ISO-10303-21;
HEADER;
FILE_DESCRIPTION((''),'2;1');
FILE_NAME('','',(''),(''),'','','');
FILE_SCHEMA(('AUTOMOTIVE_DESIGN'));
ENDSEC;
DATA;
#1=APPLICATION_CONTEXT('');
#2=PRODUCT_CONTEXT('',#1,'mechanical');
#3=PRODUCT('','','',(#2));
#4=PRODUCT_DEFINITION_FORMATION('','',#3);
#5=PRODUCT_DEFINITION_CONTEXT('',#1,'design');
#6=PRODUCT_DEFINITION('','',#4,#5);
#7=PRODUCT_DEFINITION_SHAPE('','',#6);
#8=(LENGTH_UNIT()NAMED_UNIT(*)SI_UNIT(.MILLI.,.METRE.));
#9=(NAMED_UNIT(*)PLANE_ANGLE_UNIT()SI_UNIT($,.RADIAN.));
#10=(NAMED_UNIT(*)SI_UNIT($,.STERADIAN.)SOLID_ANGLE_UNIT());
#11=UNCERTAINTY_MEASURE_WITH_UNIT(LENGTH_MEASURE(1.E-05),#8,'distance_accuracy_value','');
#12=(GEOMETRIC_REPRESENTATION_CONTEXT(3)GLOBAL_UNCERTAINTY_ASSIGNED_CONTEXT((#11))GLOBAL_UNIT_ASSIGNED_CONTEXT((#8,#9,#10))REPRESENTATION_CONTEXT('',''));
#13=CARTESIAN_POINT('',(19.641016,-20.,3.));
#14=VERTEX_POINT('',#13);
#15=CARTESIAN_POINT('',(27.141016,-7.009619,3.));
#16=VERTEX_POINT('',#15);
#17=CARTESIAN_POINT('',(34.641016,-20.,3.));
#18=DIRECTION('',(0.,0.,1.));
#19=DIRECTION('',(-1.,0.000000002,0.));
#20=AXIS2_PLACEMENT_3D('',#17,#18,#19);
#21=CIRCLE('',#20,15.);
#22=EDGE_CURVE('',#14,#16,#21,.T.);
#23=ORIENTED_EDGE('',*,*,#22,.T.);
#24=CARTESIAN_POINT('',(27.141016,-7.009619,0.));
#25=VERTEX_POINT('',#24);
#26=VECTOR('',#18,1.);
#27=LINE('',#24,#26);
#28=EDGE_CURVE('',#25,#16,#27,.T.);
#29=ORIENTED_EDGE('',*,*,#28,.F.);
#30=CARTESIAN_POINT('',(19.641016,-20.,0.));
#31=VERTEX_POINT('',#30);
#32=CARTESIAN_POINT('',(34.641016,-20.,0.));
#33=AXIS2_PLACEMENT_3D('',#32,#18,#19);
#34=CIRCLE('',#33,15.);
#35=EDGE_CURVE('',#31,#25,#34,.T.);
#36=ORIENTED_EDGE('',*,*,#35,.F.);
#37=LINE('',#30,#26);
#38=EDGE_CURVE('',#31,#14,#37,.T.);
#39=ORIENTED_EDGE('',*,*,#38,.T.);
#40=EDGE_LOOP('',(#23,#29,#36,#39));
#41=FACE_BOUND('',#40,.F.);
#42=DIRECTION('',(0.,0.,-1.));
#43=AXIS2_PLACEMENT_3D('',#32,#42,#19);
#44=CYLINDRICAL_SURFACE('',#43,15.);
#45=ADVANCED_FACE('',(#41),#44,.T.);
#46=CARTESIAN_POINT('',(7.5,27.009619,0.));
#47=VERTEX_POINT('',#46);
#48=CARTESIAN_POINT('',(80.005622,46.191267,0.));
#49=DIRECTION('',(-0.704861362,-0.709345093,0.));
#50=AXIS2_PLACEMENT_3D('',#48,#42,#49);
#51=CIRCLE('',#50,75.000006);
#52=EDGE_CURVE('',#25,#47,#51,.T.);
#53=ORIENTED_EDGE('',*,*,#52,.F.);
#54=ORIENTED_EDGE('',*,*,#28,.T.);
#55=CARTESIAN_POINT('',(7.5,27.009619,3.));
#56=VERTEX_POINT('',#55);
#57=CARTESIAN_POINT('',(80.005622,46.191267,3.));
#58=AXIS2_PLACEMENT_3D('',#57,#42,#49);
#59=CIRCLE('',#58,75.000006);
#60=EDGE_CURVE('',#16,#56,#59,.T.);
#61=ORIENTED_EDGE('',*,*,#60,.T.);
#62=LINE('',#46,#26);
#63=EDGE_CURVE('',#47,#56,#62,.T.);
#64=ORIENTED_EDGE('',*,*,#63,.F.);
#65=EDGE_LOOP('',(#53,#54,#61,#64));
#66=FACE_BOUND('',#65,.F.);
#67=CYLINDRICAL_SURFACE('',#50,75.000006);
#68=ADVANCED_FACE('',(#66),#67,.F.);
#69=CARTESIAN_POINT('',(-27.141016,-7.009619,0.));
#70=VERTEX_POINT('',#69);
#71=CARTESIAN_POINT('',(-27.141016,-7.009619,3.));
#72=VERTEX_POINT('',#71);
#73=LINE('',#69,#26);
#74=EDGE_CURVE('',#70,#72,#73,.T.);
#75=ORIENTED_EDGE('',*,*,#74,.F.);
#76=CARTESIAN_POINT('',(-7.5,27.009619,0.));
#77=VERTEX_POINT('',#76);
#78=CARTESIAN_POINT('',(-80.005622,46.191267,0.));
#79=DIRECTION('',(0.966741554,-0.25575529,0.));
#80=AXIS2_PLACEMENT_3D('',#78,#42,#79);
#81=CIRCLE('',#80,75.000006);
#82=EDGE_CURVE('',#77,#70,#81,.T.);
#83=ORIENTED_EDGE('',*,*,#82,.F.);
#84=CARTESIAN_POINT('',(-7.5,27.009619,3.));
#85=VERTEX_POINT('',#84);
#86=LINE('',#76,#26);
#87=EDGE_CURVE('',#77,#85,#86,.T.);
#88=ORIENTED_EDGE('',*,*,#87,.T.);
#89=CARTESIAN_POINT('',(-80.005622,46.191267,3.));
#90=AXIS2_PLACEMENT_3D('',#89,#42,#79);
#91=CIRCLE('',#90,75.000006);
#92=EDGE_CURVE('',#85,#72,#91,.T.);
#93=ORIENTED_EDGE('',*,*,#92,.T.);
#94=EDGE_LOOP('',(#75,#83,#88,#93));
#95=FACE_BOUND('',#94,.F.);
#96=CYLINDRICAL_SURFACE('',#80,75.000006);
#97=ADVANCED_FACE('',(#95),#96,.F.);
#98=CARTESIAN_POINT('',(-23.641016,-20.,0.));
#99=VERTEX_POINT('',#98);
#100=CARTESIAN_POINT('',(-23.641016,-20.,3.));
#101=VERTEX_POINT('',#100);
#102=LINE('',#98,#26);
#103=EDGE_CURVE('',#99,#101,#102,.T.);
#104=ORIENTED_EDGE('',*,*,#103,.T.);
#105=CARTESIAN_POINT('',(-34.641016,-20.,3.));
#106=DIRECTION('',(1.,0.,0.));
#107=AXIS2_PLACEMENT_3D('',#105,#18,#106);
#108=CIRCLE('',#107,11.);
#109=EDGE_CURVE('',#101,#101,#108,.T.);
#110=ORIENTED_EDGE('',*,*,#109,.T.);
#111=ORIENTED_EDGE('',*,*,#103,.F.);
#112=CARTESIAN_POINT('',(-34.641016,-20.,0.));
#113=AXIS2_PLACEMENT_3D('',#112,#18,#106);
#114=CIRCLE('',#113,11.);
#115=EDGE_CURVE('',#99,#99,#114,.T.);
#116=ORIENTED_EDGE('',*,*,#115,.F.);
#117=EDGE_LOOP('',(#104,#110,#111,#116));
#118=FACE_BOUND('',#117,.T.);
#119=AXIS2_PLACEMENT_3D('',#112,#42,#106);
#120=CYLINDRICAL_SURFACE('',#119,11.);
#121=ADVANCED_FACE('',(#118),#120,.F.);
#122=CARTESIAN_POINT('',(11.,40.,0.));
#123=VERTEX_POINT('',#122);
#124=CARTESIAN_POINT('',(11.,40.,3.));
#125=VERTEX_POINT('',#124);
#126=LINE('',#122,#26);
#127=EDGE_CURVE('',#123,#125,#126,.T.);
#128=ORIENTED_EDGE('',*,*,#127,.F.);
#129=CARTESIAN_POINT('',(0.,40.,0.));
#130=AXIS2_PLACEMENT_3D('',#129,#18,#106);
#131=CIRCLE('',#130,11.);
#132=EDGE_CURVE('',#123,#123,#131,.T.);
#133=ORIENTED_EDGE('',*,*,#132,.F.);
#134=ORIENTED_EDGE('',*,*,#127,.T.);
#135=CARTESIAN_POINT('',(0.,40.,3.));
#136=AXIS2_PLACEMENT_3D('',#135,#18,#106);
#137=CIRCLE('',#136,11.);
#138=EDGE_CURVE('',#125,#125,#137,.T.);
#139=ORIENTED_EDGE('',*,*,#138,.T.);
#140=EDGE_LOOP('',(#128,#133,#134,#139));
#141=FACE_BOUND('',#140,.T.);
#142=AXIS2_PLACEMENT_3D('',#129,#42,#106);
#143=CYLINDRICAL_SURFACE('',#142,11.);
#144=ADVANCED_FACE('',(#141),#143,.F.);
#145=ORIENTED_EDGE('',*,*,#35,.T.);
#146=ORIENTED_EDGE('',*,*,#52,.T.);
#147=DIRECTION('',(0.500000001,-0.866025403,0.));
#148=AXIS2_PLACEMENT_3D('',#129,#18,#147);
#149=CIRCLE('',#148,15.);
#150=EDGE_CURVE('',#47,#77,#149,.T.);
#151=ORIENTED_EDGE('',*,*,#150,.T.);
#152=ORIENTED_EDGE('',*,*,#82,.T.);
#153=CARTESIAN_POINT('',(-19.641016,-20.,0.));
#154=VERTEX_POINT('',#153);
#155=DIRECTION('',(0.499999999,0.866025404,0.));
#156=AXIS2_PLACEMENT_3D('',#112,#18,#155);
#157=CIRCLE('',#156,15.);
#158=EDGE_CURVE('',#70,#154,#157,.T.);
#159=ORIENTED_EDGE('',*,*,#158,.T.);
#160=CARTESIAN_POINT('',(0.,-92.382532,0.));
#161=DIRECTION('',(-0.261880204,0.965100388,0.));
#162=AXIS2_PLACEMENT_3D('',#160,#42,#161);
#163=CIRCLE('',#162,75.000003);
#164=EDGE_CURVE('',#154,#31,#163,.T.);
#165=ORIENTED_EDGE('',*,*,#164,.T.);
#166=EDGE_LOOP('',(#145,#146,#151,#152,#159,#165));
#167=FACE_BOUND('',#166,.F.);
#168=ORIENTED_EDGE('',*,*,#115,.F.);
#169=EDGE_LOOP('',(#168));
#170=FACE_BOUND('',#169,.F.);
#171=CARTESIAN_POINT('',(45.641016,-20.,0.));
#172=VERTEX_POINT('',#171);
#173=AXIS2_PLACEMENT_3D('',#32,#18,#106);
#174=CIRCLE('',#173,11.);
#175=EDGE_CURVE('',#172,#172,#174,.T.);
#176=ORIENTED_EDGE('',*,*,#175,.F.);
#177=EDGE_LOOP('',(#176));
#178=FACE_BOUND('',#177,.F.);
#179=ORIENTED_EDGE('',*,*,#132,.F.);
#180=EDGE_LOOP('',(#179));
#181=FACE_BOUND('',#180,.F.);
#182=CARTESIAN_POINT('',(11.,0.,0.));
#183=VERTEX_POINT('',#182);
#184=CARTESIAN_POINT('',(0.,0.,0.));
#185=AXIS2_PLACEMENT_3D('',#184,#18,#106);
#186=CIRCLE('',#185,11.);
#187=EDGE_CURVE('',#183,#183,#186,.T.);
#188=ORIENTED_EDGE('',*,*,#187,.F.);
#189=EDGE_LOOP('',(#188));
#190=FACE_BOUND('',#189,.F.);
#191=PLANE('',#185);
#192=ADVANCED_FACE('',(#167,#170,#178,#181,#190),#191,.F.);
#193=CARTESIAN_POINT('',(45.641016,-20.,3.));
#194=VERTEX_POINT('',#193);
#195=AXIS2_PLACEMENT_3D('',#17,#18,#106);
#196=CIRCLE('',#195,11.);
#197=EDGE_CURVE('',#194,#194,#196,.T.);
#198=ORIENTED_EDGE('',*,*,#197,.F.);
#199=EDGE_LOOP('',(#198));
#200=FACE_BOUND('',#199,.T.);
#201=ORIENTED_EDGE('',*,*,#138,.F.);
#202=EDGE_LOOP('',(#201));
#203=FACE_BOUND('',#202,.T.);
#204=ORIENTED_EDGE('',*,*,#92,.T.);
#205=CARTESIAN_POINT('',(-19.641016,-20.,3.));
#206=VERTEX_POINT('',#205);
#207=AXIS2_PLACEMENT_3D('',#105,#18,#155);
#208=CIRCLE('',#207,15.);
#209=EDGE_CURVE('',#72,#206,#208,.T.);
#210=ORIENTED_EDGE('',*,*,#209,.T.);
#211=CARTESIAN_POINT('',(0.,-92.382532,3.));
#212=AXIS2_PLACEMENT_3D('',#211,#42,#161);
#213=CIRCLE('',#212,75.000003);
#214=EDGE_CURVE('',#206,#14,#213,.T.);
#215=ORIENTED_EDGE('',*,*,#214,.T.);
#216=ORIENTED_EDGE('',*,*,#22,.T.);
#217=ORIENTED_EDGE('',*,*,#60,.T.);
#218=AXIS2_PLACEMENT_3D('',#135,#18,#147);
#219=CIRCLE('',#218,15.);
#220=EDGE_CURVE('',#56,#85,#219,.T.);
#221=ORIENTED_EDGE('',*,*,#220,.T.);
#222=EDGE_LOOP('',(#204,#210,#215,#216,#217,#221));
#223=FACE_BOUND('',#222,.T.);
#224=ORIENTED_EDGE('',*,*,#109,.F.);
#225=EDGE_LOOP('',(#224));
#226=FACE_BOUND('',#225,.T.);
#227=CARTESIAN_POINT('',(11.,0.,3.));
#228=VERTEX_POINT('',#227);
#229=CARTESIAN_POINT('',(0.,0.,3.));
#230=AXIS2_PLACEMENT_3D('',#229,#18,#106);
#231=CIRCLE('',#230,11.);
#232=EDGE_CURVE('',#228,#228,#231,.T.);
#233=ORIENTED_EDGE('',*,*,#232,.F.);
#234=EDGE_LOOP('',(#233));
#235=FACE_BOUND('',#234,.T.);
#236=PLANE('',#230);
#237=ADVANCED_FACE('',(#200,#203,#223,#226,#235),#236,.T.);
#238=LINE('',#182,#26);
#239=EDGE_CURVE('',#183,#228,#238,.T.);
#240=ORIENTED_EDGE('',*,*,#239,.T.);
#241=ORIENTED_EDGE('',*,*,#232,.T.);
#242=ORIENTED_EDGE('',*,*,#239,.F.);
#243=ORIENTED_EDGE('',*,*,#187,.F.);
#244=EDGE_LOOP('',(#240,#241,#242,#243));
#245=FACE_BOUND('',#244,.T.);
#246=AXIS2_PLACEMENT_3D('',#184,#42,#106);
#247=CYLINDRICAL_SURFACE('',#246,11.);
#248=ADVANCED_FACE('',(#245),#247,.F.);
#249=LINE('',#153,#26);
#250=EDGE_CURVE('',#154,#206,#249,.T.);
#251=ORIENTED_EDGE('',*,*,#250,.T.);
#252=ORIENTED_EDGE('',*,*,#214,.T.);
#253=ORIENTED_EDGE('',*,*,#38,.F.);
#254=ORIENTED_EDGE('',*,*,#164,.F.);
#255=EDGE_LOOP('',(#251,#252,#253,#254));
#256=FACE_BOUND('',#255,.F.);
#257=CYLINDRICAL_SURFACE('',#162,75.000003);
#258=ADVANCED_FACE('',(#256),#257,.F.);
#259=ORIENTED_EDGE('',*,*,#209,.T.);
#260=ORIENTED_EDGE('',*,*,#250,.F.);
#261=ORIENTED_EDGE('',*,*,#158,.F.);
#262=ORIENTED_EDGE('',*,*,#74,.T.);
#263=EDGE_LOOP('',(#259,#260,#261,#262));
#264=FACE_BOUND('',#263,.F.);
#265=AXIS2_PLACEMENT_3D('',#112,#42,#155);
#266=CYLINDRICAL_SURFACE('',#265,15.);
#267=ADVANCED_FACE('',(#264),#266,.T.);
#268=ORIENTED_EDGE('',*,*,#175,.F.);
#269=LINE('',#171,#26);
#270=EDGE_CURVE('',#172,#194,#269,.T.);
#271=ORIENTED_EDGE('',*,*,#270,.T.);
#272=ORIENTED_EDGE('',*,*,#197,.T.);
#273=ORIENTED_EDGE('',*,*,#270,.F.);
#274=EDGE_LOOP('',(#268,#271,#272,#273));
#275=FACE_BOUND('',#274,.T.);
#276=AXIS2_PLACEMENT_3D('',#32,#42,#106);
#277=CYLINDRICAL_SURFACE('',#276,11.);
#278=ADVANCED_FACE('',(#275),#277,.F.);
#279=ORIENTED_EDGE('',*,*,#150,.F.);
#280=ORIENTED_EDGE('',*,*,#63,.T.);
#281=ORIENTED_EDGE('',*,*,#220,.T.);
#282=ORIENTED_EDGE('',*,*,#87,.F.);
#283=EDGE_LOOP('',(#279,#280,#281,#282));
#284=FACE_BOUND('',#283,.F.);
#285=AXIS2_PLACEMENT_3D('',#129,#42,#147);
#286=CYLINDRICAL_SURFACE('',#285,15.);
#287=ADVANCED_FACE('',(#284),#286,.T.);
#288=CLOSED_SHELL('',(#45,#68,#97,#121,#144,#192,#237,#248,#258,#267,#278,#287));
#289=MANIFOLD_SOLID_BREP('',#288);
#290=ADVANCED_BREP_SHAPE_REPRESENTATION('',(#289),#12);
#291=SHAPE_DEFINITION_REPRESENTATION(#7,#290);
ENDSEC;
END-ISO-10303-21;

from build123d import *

# Parameters (mm, degrees)
F0_R     = 11
F1_DEPTH = 3


with BuildPart() as f1:
    # F0 (on Top) → F1 (new body)
    with BuildSketch(Plane.XY):
        with BuildLine():
            ThreePointArc((27.141016, -7.009619), (15.053712, 8.691264), (7.5, 27.009619))
            ThreePointArc((7.5, 27.009619), (0, 55), (-7.5, 27.009619))
            ThreePointArc((-7.5, 27.009619), (-15.053712, 8.691264), (-27.141016, -7.009619))
            ThreePointArc((-27.141016, -7.009619), (-47.631397, -27.5), (-19.641016, -20))
            ThreePointArc((-19.641016, -20), (0, -17.382529), (19.641016, -20))
            ThreePointArc((19.641016, -20), (47.631397, -27.5), (27.141016, -7.009619))
        make_face()
        with Locations((-34.641016, -20)):
            Circle(F0_R, mode=Mode.SUBTRACT)
        Circle(F0_R, mode=Mode.SUBTRACT)
        with Locations((34.641016, -20)):
            Circle(F0_R, mode=Mode.SUBTRACT)
        with Locations((0, 40)):
            Circle(F0_R, mode=Mode.SUBTRACT)
    extrude(amount=F1_DEPTH)


solid = f1.part
